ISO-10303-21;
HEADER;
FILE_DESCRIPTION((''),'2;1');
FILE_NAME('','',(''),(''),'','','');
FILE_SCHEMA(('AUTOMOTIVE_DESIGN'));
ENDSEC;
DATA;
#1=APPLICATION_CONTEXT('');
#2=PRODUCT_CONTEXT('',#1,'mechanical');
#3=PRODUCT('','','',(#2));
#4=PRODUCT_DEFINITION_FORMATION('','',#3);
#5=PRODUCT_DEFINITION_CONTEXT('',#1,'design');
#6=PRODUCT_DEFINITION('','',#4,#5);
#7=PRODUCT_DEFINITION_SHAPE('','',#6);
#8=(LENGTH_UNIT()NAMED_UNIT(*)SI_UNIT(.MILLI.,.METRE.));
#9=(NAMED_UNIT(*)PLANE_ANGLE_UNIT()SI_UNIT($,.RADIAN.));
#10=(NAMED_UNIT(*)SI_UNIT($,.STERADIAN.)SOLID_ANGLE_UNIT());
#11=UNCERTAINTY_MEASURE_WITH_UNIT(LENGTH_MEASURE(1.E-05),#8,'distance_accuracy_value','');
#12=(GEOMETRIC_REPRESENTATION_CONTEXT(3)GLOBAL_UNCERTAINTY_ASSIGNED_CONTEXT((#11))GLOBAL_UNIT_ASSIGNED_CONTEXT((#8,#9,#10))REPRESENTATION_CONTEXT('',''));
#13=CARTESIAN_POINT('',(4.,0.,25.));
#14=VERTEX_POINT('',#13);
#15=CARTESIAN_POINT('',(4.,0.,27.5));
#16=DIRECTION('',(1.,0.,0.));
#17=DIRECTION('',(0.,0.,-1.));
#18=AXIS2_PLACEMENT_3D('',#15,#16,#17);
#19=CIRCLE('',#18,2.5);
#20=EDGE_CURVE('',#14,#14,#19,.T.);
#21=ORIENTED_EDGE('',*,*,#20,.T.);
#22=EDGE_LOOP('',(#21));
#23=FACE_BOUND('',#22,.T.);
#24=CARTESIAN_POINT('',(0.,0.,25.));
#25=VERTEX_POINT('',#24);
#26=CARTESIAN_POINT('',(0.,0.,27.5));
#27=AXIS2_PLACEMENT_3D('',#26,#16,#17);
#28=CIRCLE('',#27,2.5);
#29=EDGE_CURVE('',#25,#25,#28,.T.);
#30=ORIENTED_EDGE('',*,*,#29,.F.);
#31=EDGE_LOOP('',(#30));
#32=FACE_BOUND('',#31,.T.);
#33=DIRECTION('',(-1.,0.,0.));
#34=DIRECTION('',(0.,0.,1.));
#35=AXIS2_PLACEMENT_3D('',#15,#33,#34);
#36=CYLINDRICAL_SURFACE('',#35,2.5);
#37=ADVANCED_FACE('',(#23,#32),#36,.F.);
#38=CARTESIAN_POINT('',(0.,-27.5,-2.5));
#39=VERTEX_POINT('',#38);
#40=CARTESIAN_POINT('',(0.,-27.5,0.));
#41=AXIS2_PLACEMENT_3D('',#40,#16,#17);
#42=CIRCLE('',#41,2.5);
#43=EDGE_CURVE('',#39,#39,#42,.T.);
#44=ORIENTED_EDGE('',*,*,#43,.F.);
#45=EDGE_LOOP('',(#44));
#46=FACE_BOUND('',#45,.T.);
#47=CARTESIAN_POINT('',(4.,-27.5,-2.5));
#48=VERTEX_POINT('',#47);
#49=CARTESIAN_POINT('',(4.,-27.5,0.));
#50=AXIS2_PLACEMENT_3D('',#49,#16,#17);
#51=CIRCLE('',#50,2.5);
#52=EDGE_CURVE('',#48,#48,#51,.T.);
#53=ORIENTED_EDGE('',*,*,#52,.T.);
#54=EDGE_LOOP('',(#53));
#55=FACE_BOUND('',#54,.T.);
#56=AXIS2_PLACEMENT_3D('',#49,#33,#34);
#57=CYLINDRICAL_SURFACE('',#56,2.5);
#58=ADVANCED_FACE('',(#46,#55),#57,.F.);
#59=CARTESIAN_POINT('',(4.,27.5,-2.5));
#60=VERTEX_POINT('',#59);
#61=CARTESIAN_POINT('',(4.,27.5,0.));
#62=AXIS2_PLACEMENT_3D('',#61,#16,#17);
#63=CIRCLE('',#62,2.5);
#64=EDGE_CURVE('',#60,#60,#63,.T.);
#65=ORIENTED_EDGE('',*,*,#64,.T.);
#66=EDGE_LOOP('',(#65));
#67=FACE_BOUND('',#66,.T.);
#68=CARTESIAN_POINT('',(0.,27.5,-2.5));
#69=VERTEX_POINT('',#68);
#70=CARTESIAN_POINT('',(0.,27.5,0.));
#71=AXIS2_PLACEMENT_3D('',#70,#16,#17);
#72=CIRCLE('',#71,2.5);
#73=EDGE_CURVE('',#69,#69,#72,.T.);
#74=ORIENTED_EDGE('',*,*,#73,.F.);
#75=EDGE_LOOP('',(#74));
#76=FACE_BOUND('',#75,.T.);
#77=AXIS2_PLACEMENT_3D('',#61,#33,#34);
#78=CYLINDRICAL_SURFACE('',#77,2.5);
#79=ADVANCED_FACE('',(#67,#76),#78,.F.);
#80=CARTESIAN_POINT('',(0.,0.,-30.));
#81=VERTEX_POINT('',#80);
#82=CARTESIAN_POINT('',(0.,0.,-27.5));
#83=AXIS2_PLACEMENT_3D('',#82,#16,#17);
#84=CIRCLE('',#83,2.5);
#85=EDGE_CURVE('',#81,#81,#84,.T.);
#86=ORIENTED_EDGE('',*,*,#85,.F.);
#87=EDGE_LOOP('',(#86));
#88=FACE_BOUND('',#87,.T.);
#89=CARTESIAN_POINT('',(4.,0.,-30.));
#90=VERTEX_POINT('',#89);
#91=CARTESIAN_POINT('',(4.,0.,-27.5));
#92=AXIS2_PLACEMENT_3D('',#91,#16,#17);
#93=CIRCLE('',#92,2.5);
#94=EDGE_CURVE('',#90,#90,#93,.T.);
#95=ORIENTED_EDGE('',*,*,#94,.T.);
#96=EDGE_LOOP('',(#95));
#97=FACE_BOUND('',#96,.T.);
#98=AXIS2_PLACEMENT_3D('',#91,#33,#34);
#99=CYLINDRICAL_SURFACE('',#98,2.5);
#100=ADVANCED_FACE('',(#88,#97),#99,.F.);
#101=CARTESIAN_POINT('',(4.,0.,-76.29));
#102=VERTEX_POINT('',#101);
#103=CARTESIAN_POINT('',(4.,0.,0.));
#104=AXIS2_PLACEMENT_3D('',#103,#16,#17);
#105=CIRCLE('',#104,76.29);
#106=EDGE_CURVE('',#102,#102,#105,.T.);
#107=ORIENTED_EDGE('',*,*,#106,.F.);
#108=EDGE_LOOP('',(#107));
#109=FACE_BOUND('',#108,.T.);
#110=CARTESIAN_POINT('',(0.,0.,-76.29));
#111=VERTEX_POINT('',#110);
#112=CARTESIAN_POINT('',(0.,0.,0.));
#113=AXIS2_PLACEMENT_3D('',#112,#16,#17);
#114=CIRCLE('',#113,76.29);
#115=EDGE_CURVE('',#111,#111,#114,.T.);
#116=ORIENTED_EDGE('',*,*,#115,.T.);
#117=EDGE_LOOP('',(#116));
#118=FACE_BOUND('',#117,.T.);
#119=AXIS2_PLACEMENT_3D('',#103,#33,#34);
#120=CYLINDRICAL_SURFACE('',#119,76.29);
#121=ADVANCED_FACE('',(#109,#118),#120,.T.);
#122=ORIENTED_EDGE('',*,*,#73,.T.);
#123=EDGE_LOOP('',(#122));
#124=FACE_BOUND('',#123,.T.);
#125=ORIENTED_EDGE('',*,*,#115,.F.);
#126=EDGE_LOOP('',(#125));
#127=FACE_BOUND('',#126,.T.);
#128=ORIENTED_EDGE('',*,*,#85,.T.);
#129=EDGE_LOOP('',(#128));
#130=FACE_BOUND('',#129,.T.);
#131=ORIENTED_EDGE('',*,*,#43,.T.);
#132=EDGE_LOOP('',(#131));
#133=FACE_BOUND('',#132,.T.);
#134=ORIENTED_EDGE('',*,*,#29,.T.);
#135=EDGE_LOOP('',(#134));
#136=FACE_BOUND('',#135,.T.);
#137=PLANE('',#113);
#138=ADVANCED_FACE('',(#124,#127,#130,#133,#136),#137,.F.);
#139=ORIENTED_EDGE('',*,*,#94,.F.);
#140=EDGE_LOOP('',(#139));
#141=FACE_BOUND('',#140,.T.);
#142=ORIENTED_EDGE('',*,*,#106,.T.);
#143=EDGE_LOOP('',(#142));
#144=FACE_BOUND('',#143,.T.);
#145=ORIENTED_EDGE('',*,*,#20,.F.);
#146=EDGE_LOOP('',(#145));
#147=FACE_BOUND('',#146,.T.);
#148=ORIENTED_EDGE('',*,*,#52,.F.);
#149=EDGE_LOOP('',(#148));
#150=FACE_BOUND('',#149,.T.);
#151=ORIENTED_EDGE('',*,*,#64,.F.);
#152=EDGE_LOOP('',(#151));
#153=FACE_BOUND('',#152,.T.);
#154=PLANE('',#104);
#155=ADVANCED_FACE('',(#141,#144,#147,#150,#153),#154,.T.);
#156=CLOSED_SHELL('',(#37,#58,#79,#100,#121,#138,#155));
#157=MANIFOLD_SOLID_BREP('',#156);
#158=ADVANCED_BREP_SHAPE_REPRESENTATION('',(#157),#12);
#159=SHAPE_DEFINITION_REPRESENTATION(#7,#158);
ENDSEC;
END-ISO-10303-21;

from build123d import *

# Parameters (mm, degrees)
SKETCH1_R           = 76.29
SKETCH1_R_2         = 2.5
BOSS_EXTRUDE1_DEPTH = 4


with BuildPart() as part:
    # Sketch1 → Boss-Extrude1 (new body)
    with BuildSketch(Plane(origin=(0, 0, 0), x_dir=(0, 0, -1), z_dir=(1, 0, 0))):
        Circle(SKETCH1_R)
        with Locations((0, 27.5)):
            Circle(SKETCH1_R_2, mode=Mode.SUBTRACT)
        with Locations((27.5, 0)):
            Circle(SKETCH1_R_2, mode=Mode.SUBTRACT)
        with Locations((0, -27.5)):
            Circle(SKETCH1_R_2, mode=Mode.SUBTRACT)
        with Locations((-27.5, 0)):
            Circle(SKETCH1_R_2, mode=Mode.SUBTRACT)
    extrude(amount=BOSS_EXTRUDE1_DEPTH)


solid = part.part
